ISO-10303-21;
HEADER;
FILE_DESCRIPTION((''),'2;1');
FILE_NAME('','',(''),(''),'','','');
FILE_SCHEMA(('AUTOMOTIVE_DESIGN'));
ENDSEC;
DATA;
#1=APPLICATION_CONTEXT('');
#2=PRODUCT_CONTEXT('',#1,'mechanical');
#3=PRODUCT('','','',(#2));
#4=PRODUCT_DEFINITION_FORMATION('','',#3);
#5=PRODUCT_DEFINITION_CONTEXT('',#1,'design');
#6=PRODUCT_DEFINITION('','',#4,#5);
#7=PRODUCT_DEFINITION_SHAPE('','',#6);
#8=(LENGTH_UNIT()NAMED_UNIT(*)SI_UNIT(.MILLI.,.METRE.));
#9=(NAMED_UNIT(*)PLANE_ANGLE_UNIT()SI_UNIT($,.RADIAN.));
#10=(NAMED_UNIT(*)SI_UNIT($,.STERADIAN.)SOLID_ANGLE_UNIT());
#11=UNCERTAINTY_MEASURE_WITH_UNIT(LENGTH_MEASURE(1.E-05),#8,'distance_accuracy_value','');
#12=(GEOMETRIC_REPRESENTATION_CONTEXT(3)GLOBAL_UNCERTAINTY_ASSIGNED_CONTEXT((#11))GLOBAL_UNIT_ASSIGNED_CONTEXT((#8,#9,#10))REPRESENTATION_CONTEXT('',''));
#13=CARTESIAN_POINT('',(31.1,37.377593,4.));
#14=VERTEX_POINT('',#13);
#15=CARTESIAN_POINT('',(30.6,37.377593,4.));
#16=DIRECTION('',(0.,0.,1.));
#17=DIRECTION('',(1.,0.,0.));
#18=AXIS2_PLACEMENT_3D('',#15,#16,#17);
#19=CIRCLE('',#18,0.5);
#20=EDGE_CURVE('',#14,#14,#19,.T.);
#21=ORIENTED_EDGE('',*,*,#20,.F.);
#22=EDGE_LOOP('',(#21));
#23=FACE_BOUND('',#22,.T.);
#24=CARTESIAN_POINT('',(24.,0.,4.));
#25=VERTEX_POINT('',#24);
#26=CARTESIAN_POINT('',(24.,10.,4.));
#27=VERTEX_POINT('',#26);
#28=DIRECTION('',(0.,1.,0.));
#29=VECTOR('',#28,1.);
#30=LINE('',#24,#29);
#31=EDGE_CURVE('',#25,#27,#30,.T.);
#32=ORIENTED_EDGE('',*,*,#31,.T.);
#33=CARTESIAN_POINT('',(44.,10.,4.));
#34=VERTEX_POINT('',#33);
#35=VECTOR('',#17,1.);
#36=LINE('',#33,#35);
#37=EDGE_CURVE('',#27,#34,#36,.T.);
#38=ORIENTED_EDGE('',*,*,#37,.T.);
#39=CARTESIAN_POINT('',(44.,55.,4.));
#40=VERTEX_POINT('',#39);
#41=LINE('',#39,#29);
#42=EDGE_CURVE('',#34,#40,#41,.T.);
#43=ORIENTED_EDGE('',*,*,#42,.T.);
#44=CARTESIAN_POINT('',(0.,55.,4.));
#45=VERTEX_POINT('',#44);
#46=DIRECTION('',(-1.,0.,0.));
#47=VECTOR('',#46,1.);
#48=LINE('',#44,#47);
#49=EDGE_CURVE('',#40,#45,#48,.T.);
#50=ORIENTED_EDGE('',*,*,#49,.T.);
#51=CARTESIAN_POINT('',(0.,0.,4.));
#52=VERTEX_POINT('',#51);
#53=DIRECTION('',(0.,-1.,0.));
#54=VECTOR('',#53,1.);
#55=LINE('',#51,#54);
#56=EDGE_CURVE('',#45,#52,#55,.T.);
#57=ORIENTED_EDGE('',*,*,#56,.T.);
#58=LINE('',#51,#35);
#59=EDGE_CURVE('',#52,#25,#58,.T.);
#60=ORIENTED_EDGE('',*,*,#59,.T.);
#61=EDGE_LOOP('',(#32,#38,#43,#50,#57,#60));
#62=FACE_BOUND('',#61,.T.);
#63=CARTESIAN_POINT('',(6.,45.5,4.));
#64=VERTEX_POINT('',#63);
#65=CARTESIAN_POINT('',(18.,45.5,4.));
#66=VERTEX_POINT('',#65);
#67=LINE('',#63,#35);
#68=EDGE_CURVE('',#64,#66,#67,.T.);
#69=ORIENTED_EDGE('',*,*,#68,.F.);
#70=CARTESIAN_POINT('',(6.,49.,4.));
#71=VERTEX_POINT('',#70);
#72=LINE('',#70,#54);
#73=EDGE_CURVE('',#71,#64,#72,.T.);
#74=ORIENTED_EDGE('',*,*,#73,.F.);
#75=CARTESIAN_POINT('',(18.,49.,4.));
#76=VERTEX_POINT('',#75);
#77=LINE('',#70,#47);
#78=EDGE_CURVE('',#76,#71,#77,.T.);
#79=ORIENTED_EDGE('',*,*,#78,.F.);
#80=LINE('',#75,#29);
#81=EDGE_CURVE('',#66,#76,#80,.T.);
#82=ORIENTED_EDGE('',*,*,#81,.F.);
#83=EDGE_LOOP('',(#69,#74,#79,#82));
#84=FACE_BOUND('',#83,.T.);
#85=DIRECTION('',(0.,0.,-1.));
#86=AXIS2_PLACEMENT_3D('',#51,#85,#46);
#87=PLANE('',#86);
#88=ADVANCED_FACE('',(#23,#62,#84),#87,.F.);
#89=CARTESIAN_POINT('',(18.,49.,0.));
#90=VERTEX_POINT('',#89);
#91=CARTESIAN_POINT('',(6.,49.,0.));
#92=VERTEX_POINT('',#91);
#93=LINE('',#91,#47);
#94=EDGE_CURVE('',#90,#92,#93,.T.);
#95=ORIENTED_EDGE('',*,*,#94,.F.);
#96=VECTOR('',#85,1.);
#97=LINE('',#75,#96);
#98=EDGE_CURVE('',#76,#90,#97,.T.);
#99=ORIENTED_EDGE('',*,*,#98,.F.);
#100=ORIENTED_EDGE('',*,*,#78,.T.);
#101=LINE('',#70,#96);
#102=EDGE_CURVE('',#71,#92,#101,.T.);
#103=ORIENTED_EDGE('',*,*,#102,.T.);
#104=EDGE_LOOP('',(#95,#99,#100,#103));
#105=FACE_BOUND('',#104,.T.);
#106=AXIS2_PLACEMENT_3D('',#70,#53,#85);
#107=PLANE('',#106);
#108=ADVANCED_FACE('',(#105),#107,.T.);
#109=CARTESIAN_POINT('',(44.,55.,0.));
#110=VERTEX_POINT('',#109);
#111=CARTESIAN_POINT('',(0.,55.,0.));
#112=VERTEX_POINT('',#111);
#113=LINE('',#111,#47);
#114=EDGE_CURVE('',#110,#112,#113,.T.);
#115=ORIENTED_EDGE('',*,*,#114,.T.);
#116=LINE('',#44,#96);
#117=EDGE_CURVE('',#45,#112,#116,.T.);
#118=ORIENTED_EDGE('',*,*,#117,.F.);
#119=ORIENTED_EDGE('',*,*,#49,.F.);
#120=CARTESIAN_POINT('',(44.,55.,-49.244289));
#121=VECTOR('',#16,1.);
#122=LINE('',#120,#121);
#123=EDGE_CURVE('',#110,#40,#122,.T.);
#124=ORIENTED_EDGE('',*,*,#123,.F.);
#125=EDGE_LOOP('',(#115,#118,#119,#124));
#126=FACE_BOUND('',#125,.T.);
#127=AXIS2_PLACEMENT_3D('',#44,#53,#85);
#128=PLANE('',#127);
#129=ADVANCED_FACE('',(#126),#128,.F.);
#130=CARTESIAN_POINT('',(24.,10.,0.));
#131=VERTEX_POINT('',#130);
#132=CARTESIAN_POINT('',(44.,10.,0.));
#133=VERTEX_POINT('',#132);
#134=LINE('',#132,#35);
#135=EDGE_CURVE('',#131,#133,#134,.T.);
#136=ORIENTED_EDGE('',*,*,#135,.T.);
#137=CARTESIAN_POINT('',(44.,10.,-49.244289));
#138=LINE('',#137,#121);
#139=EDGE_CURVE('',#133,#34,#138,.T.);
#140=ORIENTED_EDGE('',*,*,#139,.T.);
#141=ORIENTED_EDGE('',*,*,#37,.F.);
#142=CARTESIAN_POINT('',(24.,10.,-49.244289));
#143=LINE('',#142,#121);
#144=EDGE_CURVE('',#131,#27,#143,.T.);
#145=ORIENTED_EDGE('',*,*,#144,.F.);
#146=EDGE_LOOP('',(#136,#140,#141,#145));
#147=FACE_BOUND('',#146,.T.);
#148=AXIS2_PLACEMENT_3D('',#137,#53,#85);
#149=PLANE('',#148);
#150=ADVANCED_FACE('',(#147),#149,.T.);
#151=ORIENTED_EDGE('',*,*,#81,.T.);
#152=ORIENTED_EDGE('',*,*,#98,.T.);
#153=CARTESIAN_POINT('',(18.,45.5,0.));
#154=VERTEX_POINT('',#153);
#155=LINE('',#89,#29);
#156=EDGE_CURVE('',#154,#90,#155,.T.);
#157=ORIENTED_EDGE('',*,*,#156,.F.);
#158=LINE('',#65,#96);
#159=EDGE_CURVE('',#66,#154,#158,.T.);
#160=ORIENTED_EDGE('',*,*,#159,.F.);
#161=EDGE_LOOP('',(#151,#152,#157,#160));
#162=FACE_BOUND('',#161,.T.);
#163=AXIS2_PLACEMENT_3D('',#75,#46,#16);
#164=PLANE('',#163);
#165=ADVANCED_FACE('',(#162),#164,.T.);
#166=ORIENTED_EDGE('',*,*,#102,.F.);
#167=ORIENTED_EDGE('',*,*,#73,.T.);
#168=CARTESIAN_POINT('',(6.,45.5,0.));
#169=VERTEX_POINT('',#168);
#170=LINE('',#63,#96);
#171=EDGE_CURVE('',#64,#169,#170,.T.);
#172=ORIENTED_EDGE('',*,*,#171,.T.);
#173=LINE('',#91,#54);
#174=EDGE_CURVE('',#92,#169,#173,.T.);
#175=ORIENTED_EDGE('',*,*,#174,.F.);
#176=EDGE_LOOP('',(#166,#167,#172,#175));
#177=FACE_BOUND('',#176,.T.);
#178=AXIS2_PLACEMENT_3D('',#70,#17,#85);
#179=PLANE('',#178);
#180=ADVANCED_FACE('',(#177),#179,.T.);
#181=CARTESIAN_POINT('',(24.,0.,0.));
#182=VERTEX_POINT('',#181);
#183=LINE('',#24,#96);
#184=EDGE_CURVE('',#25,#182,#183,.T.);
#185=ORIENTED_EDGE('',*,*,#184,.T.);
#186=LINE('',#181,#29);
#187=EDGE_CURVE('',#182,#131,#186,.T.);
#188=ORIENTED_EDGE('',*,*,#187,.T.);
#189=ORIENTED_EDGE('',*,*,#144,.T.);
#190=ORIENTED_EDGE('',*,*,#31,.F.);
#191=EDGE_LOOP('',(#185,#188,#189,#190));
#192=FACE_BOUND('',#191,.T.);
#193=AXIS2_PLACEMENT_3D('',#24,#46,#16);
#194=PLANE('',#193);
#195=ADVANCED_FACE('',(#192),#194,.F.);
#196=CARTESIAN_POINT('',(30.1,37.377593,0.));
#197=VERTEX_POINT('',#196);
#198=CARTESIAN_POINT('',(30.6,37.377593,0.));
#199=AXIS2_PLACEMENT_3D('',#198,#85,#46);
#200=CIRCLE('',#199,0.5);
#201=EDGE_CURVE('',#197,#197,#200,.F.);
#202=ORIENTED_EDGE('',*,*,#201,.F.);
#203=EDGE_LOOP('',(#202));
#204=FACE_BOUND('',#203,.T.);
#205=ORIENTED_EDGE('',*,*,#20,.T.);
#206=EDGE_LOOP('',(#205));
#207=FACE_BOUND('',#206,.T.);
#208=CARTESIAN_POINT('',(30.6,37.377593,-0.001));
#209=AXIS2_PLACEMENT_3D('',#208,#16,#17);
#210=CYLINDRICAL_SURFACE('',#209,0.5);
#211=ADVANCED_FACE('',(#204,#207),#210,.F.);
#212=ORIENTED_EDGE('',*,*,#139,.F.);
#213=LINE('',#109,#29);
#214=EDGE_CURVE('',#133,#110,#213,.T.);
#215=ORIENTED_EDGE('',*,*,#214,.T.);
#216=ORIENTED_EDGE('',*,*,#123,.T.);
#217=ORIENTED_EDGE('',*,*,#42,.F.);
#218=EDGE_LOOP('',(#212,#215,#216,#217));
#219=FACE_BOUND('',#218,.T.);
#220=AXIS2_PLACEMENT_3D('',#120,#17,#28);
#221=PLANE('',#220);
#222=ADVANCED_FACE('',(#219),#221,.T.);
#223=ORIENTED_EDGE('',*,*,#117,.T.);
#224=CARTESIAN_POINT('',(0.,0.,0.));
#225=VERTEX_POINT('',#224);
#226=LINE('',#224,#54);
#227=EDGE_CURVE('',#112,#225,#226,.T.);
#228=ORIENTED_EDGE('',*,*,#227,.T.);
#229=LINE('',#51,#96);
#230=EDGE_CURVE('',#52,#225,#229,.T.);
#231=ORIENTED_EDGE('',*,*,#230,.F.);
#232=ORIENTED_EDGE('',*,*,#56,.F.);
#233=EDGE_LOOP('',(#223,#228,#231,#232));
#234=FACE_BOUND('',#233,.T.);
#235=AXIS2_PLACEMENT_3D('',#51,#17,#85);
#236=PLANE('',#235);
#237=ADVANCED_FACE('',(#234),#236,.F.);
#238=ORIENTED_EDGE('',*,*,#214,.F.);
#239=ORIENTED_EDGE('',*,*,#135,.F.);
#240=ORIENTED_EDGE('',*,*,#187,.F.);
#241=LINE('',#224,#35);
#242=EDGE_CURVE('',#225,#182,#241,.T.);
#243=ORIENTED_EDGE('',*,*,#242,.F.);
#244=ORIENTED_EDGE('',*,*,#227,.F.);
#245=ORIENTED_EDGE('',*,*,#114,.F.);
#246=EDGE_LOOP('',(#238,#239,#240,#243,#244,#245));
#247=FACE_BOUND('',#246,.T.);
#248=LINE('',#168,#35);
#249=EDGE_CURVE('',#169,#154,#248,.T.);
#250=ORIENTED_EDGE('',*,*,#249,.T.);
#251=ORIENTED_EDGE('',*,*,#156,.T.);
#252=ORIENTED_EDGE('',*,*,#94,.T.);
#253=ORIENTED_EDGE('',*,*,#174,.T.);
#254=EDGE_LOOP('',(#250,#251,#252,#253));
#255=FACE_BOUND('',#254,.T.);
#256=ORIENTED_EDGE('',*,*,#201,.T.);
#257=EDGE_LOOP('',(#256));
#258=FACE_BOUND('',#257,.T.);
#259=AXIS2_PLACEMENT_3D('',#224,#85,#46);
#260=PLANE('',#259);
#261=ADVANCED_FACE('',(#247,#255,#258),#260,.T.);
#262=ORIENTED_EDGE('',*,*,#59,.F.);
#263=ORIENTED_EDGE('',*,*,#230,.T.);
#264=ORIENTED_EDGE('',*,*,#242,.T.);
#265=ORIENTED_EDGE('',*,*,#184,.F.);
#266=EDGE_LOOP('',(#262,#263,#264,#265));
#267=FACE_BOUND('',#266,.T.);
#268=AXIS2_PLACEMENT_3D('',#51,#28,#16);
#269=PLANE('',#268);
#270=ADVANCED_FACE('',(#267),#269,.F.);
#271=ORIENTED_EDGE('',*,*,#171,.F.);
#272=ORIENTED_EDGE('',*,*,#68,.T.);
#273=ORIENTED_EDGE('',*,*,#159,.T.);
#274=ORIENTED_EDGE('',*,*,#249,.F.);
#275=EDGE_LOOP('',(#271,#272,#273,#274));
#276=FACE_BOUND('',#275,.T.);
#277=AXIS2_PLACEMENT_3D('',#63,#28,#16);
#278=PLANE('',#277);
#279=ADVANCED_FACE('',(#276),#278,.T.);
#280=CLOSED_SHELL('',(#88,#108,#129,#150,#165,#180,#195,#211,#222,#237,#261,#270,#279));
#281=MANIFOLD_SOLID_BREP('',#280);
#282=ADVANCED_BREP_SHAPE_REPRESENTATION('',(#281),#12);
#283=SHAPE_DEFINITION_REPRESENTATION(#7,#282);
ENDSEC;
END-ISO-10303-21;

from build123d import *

# Parameters (mm, degrees)
SKIZZE1_W                       = 24
SKIZZE1_H                       = 55
SKIZZE1_W_2                     = 12
SKIZZE1_H_2                     = 3.5
AUFSATZ_LINEAR_AUSTRAGEN1_DEPTH = 4
SKIZZE3_W                       = 20
SKIZZE3_H                       = 45
AUFSATZ_LINEAR_AUSTRAGEN3_DEPTH = 4
SCHNITT_LINEAR_AUSTRAGEN1_REACH = 6
SKIZZE4_R                       = 0.5


with BuildPart() as part:
    # Skizze1 → Aufsatz-Linear austragen1 (new body)
    with BuildSketch(Plane.XY):
        with Locations((12, 27.5)):
            Rectangle(SKIZZE1_W, SKIZZE1_H)
        with Locations((12, 47.25)):
            Rectangle(SKIZZE1_W_2, SKIZZE1_H_2, mode=Mode.SUBTRACT)
    extrude(amount=AUFSATZ_LINEAR_AUSTRAGEN1_DEPTH)

    # Skizze3 → Aufsatz-Linear austragen3 (add)
    with BuildSketch(Plane.XY.offset(4)):
        with Locations((34, 32.5)):
            Rectangle(SKIZZE3_W, SKIZZE3_H)
    extrude(amount=-AUFSATZ_LINEAR_AUSTRAGEN3_DEPTH)

    # Skizze4 → Schnitt-Linear austragen1 (cut, up to next)
    with BuildSketch(Plane.XY.offset(4), mode=Mode.PRIVATE) as schnitt_linear_austragen1_sk1:
        with Locations((30.6, 37.377592673)):
            Circle(SKIZZE4_R)
    schnitt_linear_austragen1_tool1 = extrude(schnitt_linear_austragen1_sk1.sketch, amount=-SCHNITT_LINEAR_AUSTRAGEN1_REACH, mode=Mode.PRIVATE) & part.part
    add(schnitt_linear_austragen1_tool1.solids().sort_by_distance((30.6, 37.377593, 4))[0], mode=Mode.SUBTRACT)


solid = part.part
